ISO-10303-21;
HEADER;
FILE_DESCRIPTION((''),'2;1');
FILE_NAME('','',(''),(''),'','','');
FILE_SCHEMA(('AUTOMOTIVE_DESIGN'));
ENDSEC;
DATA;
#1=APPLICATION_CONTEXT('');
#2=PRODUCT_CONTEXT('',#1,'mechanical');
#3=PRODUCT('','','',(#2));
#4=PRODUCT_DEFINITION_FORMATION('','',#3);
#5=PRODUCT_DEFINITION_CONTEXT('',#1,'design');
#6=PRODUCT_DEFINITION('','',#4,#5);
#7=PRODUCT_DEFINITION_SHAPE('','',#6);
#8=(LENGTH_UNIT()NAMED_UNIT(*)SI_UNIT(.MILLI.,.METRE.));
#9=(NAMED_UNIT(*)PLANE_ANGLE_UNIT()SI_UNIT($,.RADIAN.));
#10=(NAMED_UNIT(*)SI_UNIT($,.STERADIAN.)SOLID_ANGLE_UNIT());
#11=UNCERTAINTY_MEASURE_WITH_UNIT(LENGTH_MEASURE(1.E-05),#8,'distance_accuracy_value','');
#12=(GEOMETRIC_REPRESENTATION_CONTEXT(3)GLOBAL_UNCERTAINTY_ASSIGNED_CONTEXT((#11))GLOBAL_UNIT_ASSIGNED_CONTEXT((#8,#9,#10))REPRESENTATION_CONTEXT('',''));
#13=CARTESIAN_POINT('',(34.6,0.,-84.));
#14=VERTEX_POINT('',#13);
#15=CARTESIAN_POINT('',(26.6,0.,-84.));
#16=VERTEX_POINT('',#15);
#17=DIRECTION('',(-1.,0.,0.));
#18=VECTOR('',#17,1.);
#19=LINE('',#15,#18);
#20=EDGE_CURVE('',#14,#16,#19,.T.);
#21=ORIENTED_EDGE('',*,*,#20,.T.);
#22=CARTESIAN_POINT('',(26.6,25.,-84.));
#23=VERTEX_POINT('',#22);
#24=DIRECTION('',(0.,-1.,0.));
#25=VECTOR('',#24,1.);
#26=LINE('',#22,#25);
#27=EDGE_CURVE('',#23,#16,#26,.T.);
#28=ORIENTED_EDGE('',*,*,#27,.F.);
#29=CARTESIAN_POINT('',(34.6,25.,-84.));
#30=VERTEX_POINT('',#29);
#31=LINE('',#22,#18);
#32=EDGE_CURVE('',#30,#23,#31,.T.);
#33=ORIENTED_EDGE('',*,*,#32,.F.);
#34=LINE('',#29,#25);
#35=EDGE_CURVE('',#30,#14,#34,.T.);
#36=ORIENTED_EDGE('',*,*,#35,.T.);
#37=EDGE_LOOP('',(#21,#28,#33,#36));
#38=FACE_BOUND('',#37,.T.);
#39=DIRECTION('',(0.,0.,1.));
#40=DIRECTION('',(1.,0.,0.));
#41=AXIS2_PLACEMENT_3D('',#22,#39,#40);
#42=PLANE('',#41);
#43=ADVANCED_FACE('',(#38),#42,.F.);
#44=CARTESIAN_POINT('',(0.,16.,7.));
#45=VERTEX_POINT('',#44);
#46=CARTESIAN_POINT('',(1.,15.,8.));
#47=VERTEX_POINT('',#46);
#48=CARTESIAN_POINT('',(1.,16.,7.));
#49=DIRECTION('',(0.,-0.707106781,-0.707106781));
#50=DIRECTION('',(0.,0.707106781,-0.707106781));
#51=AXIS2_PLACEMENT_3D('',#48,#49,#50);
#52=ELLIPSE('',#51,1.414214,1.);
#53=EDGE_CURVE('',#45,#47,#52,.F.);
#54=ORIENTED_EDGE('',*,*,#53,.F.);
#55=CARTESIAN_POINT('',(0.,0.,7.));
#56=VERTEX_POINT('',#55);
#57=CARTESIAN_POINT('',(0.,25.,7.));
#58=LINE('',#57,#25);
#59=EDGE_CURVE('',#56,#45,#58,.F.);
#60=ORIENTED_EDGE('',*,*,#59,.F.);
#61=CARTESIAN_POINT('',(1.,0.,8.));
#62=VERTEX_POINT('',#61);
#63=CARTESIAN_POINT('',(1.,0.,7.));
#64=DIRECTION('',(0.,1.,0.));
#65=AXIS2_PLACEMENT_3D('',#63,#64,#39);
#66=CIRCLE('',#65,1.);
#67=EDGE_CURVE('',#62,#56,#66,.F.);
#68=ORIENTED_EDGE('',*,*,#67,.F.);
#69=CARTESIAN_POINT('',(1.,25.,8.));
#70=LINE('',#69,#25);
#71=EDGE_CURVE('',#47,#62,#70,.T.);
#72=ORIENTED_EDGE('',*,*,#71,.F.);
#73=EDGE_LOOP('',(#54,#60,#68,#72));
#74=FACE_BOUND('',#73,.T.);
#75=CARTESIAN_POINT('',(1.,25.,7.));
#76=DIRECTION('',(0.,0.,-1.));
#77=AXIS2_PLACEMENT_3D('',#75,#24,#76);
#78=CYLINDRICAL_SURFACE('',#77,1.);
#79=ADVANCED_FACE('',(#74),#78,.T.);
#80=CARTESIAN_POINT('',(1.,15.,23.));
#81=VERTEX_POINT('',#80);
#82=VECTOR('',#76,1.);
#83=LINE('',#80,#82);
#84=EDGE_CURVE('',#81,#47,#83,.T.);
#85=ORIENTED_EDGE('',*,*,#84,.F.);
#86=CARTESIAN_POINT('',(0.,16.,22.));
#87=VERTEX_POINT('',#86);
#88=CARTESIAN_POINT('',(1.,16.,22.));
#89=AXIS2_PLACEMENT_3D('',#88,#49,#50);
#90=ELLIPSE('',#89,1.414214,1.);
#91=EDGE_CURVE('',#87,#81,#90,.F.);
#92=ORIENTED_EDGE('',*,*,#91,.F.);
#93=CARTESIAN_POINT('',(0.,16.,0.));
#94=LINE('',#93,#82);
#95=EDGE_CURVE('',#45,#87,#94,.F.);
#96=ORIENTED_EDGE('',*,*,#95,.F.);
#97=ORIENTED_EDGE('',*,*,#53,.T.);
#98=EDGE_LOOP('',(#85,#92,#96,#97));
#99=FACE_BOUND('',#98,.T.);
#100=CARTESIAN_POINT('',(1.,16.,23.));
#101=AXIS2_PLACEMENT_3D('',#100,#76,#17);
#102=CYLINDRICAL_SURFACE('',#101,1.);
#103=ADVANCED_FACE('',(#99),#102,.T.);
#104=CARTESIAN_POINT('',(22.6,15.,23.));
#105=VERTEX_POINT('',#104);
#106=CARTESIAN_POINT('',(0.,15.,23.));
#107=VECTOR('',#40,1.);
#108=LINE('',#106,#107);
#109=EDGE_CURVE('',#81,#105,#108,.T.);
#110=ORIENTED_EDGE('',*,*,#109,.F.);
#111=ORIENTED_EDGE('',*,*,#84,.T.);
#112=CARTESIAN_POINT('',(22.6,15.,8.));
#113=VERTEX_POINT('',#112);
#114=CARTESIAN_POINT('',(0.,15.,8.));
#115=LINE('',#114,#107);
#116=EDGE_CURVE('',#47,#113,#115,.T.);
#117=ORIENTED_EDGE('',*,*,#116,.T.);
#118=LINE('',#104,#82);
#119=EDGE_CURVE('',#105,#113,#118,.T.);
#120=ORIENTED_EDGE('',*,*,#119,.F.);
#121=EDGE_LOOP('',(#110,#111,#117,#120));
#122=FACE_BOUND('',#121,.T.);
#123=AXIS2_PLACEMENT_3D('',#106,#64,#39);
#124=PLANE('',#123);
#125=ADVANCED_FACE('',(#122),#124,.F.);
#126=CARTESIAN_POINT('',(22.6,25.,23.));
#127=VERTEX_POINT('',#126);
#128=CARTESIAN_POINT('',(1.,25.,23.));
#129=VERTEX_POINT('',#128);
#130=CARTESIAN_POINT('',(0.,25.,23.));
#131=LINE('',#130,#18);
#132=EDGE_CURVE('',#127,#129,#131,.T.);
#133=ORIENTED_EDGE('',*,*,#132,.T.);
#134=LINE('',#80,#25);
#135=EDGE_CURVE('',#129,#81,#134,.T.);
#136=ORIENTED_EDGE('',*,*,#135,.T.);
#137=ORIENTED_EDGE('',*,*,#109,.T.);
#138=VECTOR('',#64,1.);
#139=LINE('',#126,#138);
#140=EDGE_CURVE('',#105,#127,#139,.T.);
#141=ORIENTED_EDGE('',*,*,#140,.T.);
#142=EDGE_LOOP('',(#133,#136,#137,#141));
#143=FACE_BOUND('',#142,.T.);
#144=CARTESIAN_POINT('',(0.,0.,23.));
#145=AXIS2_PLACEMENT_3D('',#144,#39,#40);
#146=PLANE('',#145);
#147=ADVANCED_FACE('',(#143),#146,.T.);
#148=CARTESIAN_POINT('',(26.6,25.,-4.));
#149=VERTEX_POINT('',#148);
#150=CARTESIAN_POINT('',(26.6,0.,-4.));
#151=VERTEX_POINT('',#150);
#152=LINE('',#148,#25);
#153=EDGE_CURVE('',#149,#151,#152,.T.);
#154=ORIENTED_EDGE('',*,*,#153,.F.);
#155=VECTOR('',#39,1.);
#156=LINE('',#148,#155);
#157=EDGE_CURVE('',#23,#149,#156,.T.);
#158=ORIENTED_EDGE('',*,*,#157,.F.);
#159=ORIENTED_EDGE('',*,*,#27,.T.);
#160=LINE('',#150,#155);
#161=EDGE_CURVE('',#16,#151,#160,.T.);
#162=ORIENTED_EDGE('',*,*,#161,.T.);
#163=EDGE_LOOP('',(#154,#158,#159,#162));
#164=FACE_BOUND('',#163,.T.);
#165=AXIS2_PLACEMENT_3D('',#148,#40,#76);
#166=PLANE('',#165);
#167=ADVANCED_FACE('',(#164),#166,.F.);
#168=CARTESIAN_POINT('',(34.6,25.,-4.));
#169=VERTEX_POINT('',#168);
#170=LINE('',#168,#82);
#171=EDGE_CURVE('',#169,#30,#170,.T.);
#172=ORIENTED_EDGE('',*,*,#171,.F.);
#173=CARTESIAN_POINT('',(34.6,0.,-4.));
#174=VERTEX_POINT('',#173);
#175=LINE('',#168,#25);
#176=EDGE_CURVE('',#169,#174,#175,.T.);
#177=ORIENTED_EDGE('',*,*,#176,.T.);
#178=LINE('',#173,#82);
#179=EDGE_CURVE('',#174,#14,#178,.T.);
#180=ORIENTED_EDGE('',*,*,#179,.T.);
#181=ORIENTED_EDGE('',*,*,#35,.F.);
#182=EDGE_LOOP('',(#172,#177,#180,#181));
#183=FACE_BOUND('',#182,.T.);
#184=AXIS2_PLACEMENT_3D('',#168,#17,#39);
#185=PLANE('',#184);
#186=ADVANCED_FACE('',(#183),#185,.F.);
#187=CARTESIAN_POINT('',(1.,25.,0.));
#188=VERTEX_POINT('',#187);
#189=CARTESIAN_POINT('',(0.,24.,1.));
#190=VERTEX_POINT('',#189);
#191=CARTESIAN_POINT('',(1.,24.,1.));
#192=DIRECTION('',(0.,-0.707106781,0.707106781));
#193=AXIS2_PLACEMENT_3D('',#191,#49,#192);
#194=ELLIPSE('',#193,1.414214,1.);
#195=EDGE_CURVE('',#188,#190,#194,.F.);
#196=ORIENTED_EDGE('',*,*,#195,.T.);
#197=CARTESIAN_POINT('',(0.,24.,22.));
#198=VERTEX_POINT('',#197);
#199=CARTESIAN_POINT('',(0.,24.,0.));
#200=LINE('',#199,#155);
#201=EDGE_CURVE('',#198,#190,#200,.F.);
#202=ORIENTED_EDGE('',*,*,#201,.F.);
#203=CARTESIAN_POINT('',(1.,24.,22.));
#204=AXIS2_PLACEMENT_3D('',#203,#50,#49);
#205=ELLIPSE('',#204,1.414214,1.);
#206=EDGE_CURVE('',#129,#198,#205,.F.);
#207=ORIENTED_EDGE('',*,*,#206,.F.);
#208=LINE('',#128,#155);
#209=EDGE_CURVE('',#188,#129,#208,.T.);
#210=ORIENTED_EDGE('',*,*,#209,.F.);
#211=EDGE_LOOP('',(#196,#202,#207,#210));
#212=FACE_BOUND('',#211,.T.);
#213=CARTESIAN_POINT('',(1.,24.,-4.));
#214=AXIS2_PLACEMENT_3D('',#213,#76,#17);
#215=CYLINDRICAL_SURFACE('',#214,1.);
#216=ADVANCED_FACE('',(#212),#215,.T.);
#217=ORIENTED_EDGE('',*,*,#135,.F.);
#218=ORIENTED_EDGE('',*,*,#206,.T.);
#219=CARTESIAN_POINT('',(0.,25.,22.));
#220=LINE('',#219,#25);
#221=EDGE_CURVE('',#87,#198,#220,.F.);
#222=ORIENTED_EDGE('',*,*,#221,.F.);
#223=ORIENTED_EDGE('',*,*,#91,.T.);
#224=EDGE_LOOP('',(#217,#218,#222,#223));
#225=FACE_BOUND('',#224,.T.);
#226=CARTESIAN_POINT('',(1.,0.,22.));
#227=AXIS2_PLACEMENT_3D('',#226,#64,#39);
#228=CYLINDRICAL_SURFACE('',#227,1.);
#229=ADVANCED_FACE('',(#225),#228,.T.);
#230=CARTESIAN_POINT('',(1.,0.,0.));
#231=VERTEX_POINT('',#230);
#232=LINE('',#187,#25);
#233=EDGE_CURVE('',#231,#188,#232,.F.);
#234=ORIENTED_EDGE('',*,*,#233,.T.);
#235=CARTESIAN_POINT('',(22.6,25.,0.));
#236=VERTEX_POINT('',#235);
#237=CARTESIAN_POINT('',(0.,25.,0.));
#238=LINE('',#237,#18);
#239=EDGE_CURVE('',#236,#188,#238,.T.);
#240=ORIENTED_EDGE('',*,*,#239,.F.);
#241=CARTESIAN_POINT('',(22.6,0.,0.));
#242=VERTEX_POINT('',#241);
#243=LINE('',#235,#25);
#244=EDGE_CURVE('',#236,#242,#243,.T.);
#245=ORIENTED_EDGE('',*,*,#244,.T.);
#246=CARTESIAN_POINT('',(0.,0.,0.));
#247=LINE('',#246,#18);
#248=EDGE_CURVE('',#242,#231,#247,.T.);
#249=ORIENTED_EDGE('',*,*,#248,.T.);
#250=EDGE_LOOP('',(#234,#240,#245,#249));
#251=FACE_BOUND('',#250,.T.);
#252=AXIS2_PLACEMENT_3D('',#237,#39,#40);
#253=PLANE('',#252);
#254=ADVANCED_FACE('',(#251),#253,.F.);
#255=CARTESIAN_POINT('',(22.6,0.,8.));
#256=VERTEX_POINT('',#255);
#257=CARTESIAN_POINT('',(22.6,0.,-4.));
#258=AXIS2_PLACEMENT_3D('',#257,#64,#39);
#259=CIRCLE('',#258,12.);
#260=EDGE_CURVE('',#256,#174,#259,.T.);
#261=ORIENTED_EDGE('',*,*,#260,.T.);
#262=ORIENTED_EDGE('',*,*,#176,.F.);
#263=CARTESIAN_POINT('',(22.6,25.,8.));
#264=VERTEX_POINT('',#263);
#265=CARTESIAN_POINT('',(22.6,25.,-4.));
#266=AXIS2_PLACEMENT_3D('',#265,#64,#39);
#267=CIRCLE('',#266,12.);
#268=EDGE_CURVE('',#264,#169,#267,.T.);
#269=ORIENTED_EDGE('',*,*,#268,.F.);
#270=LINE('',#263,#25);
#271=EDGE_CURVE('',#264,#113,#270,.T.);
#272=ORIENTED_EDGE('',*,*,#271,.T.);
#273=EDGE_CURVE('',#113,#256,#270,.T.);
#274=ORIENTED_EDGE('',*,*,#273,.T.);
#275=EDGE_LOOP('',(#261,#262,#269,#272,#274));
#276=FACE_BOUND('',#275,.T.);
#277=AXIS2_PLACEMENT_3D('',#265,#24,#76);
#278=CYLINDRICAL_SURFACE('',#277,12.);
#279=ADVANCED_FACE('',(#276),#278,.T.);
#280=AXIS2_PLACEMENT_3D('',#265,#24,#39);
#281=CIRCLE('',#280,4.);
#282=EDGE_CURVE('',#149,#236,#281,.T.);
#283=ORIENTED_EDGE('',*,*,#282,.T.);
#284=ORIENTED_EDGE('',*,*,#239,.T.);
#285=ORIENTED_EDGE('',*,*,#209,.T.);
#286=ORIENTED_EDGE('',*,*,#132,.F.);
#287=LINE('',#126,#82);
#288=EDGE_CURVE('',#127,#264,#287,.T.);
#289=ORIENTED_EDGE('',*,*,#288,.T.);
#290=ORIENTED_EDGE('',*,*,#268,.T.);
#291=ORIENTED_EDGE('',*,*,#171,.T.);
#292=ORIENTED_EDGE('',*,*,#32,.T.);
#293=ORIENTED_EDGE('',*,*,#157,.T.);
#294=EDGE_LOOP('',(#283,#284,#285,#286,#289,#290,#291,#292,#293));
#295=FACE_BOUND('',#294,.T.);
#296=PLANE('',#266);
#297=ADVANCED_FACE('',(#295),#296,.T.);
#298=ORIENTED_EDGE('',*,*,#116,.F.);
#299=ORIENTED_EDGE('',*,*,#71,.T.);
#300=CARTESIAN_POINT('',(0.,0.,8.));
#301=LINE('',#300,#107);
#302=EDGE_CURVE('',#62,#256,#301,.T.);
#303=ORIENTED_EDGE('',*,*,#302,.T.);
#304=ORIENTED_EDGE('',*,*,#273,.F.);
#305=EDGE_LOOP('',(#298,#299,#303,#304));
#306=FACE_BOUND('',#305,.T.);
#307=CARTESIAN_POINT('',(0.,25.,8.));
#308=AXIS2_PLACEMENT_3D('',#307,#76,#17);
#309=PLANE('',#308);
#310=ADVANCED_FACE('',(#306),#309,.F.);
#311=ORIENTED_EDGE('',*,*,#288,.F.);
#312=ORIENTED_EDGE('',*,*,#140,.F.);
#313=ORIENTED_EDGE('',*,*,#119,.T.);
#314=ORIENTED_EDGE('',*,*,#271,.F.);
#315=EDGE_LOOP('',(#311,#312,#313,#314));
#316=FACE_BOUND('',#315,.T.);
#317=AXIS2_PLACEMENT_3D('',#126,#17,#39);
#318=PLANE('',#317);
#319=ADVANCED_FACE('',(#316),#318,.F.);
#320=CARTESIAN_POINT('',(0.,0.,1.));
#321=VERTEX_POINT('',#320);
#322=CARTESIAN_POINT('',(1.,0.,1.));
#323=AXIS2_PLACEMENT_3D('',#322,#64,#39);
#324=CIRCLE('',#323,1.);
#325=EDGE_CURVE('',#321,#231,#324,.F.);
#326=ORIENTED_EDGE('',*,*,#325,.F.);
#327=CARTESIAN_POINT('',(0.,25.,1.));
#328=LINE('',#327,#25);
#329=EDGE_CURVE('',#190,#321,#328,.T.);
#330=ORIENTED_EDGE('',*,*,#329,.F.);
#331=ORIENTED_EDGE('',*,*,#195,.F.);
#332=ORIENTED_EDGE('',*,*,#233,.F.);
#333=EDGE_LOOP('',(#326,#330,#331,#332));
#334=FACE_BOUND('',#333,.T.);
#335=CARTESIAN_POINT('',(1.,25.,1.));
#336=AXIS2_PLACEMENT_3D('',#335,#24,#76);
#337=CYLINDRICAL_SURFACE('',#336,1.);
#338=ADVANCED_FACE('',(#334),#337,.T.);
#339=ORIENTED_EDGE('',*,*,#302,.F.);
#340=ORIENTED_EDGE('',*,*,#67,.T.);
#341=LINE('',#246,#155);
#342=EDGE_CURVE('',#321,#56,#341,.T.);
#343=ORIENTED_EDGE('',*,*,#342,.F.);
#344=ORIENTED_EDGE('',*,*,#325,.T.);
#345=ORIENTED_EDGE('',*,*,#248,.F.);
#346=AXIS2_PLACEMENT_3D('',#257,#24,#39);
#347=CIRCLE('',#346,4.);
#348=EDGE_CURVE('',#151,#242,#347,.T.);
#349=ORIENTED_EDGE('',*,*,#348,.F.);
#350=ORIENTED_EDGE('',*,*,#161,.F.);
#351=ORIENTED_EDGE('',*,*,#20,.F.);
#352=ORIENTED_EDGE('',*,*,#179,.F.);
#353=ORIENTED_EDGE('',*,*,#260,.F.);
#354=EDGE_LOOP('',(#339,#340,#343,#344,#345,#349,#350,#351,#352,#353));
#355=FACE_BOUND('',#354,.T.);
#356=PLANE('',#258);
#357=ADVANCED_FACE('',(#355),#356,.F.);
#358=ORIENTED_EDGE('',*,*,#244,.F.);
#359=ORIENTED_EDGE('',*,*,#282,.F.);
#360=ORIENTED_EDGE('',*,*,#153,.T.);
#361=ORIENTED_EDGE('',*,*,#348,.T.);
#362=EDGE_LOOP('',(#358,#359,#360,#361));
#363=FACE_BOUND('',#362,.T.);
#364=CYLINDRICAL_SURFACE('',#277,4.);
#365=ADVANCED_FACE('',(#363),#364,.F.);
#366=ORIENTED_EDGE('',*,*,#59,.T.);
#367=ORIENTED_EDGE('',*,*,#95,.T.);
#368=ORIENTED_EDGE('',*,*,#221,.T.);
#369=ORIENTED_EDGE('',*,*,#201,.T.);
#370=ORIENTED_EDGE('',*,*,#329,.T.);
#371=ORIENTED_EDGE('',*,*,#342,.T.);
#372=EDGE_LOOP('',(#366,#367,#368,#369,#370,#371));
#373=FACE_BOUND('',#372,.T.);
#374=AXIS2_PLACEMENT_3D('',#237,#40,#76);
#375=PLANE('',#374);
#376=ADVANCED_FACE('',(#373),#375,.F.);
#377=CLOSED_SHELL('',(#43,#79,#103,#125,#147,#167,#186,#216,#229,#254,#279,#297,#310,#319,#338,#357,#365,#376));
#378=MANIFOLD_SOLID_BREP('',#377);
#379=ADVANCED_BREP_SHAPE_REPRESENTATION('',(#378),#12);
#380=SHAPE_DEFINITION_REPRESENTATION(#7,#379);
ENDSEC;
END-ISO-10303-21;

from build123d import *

# Parameters (mm, degrees)
EXTRUDE_1_DEPTH = 25
SKETCH_2_W      = 22.6
SKETCH_2_H      = 10
EXTRUDE_2_DEPTH = 15
FILLET_1_R      = 1


with BuildPart() as part:
    # 草图1 → 凸台-拉伸1 (new body)
    with BuildSketch(Plane(origin=(0, 0, 0), x_dir=(1, 0, 0), z_dir=(0, 1, 0))):
        with BuildLine():
            Line((0, 0), (22.6, 0))
            ThreePointArc((22.6, 0), (25.428427125, 1.171572875), (26.6, 4))
            Line((26.6, 4), (26.6, 84))
            Line((26.6, 84), (34.6, 84))
            Line((34.6, 84), (34.6, 4))
            ThreePointArc((34.6, 4), (31.085281374, -4.485281374), (22.6, -8))
            Line((22.6, -8), (0, -8))
            Line((0, -8), (0, 0))
        make_face()
    extrude(amount=EXTRUDE_1_DEPTH)

    # 草图2 → 凸台-拉伸2 (add)
    with BuildSketch(Plane.XY.offset(8)):
        with Locations((11.3, 20)):
            Rectangle(SKETCH_2_W, SKETCH_2_H)
    extrude(amount=EXTRUDE_2_DEPTH)

    # 圆角1
    fillet_1_edges = [part.edges().sort_by_distance(p)[0] for p in [
        (0, 25, 11.5),
        (0, 12.5, 0),
        (0, 7.5, 8),
        (0, 15, 15.5),
        (0, 20, 23),
    ]]
    fillet(fillet_1_edges, radius=FILLET_1_R)


solid = part.part
